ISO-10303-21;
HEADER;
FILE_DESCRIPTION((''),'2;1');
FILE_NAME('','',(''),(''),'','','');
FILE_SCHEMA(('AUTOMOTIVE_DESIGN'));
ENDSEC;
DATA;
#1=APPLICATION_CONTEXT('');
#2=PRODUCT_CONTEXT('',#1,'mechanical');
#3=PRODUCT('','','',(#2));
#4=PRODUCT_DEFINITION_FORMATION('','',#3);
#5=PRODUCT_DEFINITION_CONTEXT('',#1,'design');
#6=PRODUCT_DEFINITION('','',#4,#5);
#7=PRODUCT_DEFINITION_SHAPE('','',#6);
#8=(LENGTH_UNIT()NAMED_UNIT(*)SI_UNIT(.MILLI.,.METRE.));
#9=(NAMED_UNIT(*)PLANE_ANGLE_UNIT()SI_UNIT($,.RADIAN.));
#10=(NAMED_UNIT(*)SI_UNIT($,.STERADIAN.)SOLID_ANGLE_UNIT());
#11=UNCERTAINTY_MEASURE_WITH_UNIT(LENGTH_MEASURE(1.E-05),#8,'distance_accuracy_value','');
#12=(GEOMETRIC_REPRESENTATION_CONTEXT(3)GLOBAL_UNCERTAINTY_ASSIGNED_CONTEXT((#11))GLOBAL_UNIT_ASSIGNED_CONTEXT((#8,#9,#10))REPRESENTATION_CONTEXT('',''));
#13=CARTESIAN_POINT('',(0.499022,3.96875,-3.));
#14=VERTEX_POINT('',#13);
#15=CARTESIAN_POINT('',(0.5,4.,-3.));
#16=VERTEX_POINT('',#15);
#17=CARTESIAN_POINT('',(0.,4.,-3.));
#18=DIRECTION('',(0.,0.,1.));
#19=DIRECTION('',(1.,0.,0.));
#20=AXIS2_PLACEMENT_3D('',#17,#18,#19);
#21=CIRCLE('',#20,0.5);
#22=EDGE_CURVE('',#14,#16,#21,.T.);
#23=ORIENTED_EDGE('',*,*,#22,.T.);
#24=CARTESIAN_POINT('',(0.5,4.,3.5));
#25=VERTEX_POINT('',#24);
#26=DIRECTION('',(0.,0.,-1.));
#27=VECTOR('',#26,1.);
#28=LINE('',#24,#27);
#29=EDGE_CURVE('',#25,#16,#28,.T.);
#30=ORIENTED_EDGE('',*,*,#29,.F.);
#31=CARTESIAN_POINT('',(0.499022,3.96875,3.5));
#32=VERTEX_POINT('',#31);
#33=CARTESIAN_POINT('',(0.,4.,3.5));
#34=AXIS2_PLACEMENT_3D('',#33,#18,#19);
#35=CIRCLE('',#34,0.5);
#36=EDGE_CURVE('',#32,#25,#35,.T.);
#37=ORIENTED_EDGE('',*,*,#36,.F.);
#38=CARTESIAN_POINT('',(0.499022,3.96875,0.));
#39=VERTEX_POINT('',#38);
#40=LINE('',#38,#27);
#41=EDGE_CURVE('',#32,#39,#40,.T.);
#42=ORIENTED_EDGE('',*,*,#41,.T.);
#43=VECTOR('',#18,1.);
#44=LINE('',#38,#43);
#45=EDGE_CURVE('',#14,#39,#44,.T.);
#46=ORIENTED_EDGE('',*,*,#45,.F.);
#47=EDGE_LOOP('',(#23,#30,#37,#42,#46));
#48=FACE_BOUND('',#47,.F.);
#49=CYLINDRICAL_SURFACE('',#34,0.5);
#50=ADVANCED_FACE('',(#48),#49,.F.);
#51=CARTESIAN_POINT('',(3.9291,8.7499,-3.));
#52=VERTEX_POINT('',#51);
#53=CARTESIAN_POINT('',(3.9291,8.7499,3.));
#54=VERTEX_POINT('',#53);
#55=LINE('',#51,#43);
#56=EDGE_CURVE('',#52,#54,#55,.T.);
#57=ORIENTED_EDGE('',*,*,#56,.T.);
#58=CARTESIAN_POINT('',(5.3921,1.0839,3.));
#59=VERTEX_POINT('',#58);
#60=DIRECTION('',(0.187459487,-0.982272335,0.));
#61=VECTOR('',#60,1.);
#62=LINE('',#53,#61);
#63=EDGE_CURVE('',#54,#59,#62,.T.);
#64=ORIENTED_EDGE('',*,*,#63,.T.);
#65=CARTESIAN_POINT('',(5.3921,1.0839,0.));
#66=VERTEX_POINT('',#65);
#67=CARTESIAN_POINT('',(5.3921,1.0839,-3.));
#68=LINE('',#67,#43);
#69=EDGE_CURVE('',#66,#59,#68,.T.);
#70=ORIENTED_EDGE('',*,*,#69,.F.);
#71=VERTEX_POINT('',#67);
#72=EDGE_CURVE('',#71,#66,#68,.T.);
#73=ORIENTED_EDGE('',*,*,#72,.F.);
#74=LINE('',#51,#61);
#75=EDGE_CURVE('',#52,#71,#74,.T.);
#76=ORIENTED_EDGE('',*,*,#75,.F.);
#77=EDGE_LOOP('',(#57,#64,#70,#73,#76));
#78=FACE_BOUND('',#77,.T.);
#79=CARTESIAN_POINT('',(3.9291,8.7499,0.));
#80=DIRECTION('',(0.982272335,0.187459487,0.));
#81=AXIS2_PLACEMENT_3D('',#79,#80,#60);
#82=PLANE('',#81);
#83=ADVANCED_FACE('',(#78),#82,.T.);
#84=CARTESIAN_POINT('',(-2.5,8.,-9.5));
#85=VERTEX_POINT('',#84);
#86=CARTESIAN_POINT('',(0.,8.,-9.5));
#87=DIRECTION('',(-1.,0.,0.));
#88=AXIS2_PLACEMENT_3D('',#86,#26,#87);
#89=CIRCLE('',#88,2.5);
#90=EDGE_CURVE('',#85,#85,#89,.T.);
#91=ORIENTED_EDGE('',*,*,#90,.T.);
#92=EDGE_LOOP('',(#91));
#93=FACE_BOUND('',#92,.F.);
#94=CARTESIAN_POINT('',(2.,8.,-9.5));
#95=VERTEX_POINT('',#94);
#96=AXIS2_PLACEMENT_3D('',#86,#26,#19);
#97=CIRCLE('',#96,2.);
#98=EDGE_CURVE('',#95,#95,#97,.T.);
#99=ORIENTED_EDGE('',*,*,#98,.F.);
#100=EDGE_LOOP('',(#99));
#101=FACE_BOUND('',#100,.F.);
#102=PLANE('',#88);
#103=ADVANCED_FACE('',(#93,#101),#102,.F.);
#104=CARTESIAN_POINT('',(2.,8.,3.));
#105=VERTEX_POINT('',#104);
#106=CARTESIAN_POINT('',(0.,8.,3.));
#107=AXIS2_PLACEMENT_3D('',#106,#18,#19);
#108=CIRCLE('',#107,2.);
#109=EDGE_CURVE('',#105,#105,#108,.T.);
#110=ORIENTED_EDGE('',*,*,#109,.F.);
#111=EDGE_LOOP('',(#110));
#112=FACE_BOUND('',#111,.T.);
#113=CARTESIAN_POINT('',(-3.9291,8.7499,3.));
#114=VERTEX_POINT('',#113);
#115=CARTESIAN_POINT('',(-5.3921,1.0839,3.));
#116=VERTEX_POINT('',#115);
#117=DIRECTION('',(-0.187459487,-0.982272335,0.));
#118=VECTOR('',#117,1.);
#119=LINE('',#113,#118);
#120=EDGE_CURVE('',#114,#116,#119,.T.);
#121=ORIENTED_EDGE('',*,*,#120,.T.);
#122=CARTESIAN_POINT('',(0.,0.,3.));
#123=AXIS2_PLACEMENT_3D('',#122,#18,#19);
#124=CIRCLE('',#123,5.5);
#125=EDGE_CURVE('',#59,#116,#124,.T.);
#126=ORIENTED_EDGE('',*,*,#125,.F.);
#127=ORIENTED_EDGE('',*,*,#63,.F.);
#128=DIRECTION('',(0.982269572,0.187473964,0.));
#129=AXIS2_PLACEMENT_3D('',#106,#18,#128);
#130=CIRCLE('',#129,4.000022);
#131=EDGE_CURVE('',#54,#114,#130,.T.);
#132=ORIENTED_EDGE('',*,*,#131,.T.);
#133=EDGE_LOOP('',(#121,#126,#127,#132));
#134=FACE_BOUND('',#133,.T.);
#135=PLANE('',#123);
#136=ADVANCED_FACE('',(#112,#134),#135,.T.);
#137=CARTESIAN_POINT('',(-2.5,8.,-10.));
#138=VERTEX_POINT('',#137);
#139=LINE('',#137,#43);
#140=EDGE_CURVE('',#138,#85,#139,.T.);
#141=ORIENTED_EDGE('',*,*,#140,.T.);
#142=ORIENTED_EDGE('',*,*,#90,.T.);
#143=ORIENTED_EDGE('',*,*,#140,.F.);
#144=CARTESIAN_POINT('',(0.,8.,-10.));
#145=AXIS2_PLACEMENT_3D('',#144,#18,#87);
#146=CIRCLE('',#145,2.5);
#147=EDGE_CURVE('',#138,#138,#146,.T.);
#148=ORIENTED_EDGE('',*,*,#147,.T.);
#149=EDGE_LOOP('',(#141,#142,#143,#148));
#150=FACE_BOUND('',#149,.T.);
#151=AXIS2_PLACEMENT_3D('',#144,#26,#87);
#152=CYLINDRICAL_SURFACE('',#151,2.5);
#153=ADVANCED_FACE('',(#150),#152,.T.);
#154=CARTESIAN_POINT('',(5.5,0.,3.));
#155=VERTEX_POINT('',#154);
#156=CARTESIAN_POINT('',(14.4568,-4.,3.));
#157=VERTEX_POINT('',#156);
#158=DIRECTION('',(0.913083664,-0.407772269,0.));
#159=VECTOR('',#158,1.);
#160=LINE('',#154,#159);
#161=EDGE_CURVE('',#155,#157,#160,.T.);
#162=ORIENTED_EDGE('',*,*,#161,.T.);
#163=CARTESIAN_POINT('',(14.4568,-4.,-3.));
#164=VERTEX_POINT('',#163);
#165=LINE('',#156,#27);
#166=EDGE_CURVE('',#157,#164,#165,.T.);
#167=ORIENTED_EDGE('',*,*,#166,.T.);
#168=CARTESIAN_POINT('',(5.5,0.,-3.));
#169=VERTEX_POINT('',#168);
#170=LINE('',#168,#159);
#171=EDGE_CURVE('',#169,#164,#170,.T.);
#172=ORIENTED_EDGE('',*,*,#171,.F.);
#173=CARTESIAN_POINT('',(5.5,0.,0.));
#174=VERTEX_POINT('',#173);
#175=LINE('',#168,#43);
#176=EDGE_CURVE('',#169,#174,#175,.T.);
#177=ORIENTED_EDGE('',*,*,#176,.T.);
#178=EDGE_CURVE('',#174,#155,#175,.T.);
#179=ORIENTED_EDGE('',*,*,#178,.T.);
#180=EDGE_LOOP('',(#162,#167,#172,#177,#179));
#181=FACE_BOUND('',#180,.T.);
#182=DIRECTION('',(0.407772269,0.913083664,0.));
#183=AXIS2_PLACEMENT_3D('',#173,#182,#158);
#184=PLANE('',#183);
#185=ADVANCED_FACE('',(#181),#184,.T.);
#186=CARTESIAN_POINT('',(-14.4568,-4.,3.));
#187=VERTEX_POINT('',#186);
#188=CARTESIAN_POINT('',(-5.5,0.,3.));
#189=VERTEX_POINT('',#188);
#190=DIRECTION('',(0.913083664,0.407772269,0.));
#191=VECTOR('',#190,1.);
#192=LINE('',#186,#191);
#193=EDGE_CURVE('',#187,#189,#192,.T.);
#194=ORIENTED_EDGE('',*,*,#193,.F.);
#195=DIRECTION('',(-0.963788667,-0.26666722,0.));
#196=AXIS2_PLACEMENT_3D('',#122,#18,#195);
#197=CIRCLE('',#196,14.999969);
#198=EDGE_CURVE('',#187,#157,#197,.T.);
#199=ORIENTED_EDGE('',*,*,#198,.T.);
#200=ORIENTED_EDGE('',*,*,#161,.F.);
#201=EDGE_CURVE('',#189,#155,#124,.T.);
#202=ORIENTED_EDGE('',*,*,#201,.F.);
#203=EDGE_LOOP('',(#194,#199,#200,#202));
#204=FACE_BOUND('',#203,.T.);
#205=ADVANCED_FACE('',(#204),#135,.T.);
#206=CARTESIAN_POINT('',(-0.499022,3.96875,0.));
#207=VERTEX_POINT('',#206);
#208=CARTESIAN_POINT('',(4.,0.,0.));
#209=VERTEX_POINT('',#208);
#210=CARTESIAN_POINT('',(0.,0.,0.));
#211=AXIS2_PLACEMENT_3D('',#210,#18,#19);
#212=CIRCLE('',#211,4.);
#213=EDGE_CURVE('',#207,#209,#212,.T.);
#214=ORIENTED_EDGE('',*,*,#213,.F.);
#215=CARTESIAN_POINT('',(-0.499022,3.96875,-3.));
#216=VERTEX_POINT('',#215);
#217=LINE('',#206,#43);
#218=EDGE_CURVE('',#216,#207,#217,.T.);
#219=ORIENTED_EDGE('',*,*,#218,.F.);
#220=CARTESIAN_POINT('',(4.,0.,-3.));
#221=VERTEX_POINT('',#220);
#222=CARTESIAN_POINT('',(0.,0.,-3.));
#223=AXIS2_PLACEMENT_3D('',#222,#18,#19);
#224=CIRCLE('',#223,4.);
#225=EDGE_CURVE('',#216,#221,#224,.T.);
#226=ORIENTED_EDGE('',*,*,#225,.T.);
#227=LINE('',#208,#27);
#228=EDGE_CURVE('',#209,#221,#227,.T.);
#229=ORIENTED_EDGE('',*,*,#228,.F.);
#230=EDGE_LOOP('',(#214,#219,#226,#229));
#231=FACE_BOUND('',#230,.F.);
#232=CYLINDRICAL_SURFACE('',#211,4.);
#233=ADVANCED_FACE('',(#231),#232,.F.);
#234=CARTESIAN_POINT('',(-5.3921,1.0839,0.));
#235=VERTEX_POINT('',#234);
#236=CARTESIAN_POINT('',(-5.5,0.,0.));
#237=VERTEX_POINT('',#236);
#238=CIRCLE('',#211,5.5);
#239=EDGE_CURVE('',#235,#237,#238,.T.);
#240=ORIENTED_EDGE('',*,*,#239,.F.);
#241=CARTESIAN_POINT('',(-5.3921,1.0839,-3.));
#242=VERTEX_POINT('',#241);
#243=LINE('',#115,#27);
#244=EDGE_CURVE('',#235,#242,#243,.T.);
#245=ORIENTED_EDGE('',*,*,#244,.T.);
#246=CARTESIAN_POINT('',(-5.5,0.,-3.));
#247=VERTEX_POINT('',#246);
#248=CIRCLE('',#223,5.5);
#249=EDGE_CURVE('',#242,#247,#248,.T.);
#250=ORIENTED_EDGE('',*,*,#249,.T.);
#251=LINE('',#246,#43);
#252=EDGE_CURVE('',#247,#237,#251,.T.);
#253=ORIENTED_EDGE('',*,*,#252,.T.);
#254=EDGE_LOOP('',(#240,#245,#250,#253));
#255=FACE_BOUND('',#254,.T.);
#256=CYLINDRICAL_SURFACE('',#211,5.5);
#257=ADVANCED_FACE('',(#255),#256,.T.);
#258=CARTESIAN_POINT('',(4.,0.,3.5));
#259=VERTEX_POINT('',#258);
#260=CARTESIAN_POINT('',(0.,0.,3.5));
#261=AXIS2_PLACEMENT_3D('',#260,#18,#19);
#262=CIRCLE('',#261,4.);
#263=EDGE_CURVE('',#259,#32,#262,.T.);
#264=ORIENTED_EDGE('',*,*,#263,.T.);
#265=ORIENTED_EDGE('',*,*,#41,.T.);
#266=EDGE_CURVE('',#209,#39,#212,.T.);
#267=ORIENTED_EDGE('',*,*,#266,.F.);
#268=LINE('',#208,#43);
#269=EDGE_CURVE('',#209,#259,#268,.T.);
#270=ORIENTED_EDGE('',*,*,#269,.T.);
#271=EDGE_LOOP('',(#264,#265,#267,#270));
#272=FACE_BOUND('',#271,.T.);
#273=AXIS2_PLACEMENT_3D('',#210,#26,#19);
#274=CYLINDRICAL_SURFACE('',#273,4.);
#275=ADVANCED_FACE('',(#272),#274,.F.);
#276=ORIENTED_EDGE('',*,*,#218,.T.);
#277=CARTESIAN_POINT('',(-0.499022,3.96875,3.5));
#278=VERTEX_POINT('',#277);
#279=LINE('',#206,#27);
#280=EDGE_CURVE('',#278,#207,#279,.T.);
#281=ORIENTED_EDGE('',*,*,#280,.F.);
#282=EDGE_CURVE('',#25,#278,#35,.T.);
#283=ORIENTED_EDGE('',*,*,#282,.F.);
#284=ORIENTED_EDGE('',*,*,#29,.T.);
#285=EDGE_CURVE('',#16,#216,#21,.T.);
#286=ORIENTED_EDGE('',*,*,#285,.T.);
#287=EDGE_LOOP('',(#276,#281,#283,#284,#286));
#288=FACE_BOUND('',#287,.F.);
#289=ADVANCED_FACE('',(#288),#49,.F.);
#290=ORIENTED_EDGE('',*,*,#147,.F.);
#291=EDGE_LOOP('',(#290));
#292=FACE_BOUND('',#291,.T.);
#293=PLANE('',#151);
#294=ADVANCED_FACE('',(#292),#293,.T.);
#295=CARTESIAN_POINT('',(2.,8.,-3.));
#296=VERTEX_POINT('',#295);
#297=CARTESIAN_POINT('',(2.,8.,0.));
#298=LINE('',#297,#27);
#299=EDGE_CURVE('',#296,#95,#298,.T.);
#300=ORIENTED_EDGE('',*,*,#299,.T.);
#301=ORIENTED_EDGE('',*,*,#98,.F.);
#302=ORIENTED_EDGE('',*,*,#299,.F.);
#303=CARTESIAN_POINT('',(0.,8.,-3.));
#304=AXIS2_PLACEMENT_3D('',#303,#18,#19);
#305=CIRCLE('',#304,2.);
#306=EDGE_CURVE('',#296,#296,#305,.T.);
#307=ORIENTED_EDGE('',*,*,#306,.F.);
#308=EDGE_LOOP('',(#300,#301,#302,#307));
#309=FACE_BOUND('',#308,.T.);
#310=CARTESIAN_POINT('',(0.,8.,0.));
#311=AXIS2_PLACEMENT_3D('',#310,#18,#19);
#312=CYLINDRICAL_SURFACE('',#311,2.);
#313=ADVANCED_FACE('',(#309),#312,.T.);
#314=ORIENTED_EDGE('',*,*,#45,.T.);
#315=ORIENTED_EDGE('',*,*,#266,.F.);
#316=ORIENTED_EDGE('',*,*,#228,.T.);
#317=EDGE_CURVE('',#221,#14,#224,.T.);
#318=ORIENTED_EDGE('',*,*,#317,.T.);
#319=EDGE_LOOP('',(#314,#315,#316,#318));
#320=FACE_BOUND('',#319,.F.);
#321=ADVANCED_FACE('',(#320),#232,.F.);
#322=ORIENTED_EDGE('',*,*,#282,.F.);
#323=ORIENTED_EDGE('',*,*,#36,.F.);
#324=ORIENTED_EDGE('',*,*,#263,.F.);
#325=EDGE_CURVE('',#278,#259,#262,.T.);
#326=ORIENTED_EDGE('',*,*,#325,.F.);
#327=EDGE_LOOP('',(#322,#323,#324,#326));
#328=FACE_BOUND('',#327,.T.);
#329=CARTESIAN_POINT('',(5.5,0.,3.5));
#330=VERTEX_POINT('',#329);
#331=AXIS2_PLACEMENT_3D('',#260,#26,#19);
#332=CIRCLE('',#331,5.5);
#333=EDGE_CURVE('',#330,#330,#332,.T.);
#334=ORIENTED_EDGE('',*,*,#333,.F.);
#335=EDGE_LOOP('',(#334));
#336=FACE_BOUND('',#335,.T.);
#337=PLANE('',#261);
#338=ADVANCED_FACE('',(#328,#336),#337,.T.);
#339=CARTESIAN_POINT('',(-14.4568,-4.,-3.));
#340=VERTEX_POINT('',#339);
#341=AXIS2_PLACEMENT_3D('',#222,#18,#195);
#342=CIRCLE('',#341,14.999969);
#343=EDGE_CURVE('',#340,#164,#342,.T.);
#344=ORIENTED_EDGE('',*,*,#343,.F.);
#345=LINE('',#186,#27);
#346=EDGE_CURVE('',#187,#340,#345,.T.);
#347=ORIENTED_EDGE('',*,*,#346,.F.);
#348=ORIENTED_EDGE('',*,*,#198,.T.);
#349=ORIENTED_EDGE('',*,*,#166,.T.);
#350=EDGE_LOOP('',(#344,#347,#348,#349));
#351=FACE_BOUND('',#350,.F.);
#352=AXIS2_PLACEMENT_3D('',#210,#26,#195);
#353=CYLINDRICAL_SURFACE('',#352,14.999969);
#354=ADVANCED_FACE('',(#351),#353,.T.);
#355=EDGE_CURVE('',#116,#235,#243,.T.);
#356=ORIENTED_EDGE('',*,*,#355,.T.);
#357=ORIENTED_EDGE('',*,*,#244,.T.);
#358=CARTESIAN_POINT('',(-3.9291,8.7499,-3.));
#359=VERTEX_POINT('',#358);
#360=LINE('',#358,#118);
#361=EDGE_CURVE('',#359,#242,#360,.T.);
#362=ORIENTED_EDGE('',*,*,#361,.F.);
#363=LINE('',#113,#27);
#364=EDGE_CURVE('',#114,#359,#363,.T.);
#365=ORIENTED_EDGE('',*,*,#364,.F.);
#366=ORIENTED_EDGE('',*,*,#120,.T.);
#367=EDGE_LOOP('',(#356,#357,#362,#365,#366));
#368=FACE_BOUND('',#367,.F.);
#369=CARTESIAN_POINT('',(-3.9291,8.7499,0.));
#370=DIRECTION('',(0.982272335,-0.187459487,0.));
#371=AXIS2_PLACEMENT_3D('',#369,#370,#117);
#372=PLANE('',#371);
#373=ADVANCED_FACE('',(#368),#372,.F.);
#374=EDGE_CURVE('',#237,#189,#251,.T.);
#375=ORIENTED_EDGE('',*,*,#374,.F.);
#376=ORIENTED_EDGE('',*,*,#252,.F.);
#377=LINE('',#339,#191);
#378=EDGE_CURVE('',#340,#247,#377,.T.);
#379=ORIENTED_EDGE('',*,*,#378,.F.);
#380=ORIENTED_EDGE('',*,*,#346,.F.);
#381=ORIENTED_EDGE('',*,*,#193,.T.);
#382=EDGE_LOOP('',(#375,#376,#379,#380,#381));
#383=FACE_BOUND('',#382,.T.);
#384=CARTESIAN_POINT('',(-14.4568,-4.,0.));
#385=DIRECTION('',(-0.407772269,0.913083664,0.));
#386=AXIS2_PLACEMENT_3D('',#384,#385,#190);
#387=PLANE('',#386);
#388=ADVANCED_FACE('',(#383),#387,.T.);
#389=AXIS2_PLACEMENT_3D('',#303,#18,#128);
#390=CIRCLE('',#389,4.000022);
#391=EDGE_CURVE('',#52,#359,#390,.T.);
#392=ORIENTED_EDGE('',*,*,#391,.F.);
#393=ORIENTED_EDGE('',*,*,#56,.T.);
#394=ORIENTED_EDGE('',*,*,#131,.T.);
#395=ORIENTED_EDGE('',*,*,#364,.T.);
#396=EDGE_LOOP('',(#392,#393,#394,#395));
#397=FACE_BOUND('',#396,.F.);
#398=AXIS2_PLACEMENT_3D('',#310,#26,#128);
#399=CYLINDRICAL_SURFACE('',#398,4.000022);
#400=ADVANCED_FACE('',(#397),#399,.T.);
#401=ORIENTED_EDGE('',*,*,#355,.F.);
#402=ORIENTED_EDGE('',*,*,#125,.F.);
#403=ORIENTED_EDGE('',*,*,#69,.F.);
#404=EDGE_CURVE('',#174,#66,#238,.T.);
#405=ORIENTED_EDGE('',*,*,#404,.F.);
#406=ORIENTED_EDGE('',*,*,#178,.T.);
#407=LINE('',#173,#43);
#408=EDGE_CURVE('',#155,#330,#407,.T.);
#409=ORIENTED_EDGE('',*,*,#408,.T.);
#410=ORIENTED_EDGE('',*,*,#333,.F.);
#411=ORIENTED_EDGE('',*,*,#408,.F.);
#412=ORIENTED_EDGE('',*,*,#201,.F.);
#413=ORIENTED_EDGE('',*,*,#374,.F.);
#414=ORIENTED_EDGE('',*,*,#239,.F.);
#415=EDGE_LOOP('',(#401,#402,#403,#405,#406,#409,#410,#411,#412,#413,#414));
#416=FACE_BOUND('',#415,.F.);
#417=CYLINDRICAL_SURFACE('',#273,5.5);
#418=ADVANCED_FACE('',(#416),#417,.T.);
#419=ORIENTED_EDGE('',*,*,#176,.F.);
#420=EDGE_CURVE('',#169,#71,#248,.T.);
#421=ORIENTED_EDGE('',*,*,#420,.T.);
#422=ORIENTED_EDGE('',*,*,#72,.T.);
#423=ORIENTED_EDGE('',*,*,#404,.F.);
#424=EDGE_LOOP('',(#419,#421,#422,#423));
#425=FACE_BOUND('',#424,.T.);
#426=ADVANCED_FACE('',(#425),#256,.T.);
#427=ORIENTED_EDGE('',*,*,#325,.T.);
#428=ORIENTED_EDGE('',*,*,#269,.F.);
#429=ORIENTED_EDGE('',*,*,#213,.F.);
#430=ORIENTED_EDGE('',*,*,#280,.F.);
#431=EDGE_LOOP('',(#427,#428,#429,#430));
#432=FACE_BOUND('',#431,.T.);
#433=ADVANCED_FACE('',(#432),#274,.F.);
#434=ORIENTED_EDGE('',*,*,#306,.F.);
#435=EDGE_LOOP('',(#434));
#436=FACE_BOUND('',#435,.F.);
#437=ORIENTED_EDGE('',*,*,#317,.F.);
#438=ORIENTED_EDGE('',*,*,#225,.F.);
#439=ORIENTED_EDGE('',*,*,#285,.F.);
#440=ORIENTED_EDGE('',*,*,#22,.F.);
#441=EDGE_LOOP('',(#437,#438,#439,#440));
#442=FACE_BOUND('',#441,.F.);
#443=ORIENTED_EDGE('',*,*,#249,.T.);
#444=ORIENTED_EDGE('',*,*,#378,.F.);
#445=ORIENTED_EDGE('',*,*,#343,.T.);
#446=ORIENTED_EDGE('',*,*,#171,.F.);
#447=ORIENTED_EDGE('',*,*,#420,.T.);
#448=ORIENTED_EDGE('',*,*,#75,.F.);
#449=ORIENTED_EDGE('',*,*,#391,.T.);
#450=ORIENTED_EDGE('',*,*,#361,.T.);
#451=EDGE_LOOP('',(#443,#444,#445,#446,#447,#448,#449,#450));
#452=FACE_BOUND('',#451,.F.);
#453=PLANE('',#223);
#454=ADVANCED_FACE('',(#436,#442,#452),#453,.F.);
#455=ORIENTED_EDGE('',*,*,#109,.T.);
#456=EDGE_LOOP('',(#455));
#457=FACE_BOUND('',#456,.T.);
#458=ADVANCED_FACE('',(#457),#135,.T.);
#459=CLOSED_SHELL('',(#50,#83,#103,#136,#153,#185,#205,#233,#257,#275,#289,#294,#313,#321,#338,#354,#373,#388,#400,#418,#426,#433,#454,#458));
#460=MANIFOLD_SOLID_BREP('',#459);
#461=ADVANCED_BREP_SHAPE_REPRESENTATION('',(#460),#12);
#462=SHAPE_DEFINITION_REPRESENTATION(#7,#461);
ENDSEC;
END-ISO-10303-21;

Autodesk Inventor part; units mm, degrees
ref_plane "YZ Plane" through (0, 0, 0) normal (1, 0, 0) x (0, 1, 0)
ref_plane "XZ Plane" through (0, 0, 0) normal (0, 1, 0) x (-1, 0, 0)
ref_plane "XY Plane" through (0, 0, 0) normal (0, 0, 1) x (1, 0, 0)
sketch "Sketch1" plane through (0, 0, 0) normal (0, 0, 1) x (1, 0, 0)
  line L0 (0, 17.4) -> (0, -20.4) construction
  line L1 (-20.2396, 0) -> (20.2396, 0) construction
  circle A0 centre (0, 0) radius 5.5
  circle A1 centre (0, 8) radius 2
  arc A2 (-14.4568, -4) -> (14.4568, -4) centre (0, 0) ccw
  line L2 (-14.4568, -4) -> (-5.5, 0)
  line L3 (5.5, 0) -> (14.4568, -4)
  line L4 (-3.9291, 8.7499) -> (-5.3921, 1.0839)
  line L5 (3.9291, 8.7499) -> (5.3921, 1.0839)
  arc A3 (3.9291, 8.7499) -> (-3.9291, 8.7499) centre (0, 8) ccw
  circle A4 centre (0, 0) radius 4
  arc A5 (5.3921, 1.0839) -> (-5.3921, 1.0839) centre (0, 0) ccw
  dimension "d0" = 11
  dimension "d1" = 4
  dimension "d3" = 8
  dimension "d4" = 15
  dimension "d5" = 4
  dimension "d7" = 21.61
  dimension "d8" = 4
  dimension "d21" = 8
extrude "Extrusion1" add sketch "Sketch1" along normal mid plane 6 contours L3 A2 L2 A0 | A0 L4 A3 L5
extrude "Extrusion2" add sketch "Sketch1" along normal blind 3.5 contours A0
extrude "Extrusion3" add sketch "Sketch1" against normal up to surface (3 mm away) contours A0
sketch "Sketch2" plane through (0, 0, 3.5) normal (0, 0, 1) x (1, 0, 0)
  circle A0 centre (0, 0) radius 4 construction
  circle A1 centre (0, 0) radius 5.5 construction
  circle A2 centre (0, 4) radius 0.5
  dimension "d16" = 1
extrude "Extrusion4" cut sketch "Sketch2" against normal through all
extrude "Extrusion5" add sketch "Sketch1" against normal blind 10 contours A1
extrude "Extrusion6" add sketch "Sketch1" along normal up to surface (3 mm away) contours A1
sketch "Sketch3" plane through (0, 8, -10) normal (0, 0, -1) x (-1, 0, 0)
  circle A0 centre (0, 0) radius 2 construction
  circle A1 centre (0, 0) radius 2
  circle A2 centre (0, 0) radius 2 projected
  circle A3 centre (0, 0) radius 2.5
  arc A4 (5.3921, -6.9161) -> (-5.3921, -6.9161) centre (0, -8) ccw projected
extrude "Extrusion7" add sketch "Sketch3" against normal blind 0.5
properties part number "Crank" material "Iron, Cast"
